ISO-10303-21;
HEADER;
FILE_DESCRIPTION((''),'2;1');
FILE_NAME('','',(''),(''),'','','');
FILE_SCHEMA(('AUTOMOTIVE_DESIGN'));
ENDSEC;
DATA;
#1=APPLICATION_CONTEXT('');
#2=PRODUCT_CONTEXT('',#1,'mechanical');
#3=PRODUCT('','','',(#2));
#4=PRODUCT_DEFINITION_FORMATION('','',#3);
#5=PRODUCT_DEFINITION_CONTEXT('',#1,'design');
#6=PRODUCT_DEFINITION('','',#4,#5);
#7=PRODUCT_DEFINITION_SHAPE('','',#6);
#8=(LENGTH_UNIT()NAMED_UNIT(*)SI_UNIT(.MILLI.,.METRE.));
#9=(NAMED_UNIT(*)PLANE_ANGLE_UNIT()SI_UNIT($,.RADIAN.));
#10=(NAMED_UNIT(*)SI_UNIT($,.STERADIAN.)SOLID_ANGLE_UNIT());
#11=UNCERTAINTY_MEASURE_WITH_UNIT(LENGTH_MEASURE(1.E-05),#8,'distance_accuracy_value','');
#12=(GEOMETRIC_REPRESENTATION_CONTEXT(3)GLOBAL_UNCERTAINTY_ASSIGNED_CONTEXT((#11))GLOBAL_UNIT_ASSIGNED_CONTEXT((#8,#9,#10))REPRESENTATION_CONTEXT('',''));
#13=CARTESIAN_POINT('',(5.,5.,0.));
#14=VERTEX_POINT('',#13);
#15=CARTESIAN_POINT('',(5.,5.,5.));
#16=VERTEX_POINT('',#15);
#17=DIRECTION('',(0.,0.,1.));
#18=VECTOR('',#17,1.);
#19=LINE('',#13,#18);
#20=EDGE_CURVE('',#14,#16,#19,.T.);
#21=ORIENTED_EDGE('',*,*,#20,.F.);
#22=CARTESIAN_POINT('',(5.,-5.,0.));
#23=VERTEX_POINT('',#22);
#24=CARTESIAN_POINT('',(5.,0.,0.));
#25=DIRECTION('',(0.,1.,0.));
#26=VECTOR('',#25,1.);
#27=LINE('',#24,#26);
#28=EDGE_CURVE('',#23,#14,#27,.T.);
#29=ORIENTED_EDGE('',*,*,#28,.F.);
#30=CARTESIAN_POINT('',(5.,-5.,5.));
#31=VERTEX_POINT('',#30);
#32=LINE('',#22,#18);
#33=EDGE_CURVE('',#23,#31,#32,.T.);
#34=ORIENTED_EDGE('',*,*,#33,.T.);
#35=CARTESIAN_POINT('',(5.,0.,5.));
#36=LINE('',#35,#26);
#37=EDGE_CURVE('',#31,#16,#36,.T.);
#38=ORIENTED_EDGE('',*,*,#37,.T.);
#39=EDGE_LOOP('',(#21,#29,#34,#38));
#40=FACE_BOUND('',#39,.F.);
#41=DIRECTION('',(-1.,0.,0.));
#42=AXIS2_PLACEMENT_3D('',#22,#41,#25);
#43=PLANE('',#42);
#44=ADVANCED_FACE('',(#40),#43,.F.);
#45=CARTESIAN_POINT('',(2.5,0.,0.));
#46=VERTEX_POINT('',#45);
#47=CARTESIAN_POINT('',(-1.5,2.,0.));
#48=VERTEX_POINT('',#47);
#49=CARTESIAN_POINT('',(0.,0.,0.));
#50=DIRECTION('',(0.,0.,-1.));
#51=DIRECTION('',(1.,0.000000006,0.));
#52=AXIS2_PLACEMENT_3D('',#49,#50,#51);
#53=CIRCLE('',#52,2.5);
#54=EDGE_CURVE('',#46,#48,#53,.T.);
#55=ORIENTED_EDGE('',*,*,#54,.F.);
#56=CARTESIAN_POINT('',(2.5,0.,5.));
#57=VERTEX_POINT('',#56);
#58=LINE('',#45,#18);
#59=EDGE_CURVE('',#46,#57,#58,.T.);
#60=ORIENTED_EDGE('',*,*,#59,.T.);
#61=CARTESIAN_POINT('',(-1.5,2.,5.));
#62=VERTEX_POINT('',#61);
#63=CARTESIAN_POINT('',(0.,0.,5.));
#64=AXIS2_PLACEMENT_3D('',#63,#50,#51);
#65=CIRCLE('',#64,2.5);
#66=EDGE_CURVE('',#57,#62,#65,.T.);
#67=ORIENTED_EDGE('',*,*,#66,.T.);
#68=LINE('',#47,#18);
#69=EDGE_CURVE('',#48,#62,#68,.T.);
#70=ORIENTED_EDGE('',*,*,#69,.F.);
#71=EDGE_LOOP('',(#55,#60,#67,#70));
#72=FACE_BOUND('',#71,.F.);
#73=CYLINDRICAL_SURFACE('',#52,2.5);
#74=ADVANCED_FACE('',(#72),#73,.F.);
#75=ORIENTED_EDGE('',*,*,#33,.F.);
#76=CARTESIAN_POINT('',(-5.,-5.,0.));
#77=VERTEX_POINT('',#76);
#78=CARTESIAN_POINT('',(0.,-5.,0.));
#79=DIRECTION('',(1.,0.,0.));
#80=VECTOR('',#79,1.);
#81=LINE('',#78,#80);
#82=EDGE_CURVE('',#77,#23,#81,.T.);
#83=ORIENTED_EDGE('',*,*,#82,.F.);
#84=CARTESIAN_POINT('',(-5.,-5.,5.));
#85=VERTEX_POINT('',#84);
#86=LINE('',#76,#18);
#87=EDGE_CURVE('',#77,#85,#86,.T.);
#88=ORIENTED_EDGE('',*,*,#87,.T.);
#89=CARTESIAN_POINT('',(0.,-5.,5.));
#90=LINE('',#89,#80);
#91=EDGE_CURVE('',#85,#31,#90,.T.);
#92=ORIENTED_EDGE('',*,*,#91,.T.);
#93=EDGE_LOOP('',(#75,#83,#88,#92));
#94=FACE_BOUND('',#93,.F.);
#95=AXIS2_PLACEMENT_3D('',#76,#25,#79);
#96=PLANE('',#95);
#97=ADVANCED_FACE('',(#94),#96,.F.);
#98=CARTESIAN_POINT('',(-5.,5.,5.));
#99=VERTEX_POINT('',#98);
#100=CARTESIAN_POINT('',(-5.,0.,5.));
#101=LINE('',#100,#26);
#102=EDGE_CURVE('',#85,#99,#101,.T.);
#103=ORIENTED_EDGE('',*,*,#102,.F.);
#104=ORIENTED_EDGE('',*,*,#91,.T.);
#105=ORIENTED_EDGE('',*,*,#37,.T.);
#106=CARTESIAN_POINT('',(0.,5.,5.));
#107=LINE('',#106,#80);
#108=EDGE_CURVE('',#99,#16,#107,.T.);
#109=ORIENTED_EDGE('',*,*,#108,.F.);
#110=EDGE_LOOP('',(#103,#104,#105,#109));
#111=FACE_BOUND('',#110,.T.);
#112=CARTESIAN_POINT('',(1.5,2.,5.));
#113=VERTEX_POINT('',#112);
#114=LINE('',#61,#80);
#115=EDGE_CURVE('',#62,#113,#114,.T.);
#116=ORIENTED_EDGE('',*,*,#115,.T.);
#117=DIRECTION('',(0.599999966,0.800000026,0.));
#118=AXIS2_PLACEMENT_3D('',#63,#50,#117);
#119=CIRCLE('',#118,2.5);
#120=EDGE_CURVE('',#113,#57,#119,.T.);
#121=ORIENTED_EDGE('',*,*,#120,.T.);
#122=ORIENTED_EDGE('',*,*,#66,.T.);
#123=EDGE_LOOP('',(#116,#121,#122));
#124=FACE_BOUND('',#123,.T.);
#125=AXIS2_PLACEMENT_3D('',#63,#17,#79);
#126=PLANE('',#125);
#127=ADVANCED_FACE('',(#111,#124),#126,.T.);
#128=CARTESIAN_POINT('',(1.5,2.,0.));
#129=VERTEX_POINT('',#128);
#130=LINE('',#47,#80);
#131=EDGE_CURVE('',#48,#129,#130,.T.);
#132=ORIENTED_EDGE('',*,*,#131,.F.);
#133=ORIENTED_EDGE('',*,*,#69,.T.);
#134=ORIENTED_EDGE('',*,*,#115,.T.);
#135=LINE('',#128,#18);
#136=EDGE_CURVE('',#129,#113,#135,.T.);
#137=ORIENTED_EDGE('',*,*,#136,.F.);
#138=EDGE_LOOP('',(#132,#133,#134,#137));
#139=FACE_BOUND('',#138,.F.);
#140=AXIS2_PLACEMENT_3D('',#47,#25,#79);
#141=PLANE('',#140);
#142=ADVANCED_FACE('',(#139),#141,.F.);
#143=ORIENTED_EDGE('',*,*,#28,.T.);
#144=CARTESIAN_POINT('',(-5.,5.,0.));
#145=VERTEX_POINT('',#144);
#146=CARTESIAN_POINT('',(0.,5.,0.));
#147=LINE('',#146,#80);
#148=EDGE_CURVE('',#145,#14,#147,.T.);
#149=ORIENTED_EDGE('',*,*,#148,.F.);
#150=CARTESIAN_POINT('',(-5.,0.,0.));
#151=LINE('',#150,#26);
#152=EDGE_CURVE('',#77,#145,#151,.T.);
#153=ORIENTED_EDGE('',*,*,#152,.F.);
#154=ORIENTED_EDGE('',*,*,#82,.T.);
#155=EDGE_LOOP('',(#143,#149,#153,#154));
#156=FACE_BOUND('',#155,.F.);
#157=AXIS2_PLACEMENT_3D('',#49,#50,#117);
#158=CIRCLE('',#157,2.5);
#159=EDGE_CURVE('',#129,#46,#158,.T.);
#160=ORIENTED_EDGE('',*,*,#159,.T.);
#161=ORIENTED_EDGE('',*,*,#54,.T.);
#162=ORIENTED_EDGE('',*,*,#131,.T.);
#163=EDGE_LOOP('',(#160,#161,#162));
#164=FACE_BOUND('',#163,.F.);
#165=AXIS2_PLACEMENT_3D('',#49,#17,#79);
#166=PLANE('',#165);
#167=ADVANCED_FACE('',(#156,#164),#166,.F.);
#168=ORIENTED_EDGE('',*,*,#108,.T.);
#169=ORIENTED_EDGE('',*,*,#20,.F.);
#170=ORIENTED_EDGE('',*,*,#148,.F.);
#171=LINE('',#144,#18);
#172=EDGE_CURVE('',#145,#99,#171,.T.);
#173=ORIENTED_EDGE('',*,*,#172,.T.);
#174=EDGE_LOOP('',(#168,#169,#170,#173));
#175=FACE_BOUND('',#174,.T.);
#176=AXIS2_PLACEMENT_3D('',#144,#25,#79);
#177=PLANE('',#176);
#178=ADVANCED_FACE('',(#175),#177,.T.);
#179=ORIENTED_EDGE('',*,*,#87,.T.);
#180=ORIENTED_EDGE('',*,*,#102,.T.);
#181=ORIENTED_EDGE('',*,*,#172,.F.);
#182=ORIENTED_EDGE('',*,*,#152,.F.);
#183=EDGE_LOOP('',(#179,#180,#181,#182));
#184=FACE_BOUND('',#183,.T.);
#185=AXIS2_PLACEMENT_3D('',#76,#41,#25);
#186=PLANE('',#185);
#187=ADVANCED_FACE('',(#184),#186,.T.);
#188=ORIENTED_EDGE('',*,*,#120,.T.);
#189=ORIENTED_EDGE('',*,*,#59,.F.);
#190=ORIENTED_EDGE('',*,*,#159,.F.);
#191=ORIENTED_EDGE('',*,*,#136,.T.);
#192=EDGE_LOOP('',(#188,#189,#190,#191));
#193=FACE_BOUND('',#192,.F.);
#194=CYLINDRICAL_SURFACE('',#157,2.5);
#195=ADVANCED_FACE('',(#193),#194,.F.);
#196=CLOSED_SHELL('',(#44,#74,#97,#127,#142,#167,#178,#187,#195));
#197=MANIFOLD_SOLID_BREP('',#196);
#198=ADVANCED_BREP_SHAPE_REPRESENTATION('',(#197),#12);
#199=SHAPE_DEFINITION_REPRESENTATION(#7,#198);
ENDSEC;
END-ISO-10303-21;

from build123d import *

# Parameters (mm, degrees)
F0_W     = 10
F0_H     = 10
F1_DEPTH = 5


with BuildPart() as f1:
    # F0 (on Top) → F1 (new body)
    with BuildSketch(Plane.XY):
        Rectangle(F0_W, F0_H)
        with BuildLine():
            ThreePointArc((1.5, 2), (2.236068, 1.118034), (2.5, 0))
            ThreePointArc((2.5, 0), (-1.118034, -2.236068), (-1.5, 2))
            Line((-1.5, 2), (-3.376261, 2))
            Line((-3.376261, 2), (-3.376261, 4.884955))
            Line((-3.376261, 4.884955), (3.420027, 4.884955))
            Line((3.420027, 4.884955), (3.420027, 2))
            Line((3.420027, 2), (1.5, 2))
        make_face(mode=Mode.SUBTRACT)
        with BuildLine():
            ThreePointArc((-1.5, 2), (0, 2.5), (1.5, 2))
            Line((1.5, 2), (3.420027, 2))
            Line((3.420027, 2), (3.420027, 4.884955))
            Line((3.420027, 4.884955), (-3.376261, 4.884955))
            Line((-3.376261, 4.884955), (-3.376261, 2))
            Line((-3.376261, 2), (-1.5, 2))
        make_face()
        with BuildLine():
            Line((-1.5, 2), (1.5, 2))
            ThreePointArc((1.5, 2), (0, 2.5), (-1.5, 2))
        make_face()
    extrude(amount=F1_DEPTH)


solid = f1.part
